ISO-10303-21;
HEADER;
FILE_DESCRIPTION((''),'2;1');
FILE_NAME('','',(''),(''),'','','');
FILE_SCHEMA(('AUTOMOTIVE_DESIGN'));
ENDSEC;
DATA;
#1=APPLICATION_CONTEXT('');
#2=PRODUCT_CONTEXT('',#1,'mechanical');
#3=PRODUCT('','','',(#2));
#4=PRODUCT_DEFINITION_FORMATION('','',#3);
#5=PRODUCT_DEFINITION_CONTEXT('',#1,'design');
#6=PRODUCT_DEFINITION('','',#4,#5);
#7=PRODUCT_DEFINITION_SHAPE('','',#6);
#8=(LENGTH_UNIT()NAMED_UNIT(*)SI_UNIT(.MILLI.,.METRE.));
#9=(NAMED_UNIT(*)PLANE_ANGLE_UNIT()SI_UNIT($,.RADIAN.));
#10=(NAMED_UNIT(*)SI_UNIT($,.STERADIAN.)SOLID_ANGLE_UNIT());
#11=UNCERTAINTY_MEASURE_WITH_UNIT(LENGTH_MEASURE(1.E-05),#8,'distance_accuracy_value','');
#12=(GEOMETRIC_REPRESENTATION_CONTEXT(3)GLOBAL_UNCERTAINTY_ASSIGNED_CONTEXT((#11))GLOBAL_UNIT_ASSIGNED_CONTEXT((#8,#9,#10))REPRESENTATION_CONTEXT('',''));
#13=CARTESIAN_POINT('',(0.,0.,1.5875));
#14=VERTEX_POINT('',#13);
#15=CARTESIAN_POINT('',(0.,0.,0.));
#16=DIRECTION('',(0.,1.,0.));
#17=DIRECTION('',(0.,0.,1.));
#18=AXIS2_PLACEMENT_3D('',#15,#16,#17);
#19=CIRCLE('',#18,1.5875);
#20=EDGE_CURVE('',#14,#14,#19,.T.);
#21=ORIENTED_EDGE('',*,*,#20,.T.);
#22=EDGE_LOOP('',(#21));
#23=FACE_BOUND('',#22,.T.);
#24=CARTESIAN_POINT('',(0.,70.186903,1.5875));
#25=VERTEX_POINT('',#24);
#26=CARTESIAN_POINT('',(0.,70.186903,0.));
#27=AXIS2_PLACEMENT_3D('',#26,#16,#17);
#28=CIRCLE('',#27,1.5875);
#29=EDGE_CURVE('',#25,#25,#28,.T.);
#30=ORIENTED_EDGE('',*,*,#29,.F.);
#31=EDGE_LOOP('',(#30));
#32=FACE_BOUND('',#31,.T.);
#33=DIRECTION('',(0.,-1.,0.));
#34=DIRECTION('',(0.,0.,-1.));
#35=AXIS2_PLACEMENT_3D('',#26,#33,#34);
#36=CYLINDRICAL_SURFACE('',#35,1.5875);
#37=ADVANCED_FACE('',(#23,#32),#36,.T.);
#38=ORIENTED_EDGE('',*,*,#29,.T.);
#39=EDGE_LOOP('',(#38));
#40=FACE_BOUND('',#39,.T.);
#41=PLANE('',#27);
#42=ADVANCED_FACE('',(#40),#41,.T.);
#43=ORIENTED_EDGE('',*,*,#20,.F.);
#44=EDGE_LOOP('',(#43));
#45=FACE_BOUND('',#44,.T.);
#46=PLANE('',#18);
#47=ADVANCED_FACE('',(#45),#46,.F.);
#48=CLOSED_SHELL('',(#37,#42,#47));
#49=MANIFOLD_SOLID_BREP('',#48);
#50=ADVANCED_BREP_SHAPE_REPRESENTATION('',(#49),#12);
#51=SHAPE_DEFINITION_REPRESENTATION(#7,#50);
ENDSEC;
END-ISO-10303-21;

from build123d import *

# Parameters (mm, degrees)
SKETCH1_R           = 1.5875
BOSS_EXTRUDE1_DEPTH = 70.186903159


with BuildPart() as part:
    # Sketch1 → Boss-Extrude1 (new body)
    with BuildSketch(Plane(origin=(0, 0, 0), x_dir=(-1, 0, 0), z_dir=(0, 1, 0))):
        with Locations(Location((0, 0, 0), (0, 0, 90))):
            Circle(SKETCH1_R)
    extrude(amount=BOSS_EXTRUDE1_DEPTH)


solid = part.part
